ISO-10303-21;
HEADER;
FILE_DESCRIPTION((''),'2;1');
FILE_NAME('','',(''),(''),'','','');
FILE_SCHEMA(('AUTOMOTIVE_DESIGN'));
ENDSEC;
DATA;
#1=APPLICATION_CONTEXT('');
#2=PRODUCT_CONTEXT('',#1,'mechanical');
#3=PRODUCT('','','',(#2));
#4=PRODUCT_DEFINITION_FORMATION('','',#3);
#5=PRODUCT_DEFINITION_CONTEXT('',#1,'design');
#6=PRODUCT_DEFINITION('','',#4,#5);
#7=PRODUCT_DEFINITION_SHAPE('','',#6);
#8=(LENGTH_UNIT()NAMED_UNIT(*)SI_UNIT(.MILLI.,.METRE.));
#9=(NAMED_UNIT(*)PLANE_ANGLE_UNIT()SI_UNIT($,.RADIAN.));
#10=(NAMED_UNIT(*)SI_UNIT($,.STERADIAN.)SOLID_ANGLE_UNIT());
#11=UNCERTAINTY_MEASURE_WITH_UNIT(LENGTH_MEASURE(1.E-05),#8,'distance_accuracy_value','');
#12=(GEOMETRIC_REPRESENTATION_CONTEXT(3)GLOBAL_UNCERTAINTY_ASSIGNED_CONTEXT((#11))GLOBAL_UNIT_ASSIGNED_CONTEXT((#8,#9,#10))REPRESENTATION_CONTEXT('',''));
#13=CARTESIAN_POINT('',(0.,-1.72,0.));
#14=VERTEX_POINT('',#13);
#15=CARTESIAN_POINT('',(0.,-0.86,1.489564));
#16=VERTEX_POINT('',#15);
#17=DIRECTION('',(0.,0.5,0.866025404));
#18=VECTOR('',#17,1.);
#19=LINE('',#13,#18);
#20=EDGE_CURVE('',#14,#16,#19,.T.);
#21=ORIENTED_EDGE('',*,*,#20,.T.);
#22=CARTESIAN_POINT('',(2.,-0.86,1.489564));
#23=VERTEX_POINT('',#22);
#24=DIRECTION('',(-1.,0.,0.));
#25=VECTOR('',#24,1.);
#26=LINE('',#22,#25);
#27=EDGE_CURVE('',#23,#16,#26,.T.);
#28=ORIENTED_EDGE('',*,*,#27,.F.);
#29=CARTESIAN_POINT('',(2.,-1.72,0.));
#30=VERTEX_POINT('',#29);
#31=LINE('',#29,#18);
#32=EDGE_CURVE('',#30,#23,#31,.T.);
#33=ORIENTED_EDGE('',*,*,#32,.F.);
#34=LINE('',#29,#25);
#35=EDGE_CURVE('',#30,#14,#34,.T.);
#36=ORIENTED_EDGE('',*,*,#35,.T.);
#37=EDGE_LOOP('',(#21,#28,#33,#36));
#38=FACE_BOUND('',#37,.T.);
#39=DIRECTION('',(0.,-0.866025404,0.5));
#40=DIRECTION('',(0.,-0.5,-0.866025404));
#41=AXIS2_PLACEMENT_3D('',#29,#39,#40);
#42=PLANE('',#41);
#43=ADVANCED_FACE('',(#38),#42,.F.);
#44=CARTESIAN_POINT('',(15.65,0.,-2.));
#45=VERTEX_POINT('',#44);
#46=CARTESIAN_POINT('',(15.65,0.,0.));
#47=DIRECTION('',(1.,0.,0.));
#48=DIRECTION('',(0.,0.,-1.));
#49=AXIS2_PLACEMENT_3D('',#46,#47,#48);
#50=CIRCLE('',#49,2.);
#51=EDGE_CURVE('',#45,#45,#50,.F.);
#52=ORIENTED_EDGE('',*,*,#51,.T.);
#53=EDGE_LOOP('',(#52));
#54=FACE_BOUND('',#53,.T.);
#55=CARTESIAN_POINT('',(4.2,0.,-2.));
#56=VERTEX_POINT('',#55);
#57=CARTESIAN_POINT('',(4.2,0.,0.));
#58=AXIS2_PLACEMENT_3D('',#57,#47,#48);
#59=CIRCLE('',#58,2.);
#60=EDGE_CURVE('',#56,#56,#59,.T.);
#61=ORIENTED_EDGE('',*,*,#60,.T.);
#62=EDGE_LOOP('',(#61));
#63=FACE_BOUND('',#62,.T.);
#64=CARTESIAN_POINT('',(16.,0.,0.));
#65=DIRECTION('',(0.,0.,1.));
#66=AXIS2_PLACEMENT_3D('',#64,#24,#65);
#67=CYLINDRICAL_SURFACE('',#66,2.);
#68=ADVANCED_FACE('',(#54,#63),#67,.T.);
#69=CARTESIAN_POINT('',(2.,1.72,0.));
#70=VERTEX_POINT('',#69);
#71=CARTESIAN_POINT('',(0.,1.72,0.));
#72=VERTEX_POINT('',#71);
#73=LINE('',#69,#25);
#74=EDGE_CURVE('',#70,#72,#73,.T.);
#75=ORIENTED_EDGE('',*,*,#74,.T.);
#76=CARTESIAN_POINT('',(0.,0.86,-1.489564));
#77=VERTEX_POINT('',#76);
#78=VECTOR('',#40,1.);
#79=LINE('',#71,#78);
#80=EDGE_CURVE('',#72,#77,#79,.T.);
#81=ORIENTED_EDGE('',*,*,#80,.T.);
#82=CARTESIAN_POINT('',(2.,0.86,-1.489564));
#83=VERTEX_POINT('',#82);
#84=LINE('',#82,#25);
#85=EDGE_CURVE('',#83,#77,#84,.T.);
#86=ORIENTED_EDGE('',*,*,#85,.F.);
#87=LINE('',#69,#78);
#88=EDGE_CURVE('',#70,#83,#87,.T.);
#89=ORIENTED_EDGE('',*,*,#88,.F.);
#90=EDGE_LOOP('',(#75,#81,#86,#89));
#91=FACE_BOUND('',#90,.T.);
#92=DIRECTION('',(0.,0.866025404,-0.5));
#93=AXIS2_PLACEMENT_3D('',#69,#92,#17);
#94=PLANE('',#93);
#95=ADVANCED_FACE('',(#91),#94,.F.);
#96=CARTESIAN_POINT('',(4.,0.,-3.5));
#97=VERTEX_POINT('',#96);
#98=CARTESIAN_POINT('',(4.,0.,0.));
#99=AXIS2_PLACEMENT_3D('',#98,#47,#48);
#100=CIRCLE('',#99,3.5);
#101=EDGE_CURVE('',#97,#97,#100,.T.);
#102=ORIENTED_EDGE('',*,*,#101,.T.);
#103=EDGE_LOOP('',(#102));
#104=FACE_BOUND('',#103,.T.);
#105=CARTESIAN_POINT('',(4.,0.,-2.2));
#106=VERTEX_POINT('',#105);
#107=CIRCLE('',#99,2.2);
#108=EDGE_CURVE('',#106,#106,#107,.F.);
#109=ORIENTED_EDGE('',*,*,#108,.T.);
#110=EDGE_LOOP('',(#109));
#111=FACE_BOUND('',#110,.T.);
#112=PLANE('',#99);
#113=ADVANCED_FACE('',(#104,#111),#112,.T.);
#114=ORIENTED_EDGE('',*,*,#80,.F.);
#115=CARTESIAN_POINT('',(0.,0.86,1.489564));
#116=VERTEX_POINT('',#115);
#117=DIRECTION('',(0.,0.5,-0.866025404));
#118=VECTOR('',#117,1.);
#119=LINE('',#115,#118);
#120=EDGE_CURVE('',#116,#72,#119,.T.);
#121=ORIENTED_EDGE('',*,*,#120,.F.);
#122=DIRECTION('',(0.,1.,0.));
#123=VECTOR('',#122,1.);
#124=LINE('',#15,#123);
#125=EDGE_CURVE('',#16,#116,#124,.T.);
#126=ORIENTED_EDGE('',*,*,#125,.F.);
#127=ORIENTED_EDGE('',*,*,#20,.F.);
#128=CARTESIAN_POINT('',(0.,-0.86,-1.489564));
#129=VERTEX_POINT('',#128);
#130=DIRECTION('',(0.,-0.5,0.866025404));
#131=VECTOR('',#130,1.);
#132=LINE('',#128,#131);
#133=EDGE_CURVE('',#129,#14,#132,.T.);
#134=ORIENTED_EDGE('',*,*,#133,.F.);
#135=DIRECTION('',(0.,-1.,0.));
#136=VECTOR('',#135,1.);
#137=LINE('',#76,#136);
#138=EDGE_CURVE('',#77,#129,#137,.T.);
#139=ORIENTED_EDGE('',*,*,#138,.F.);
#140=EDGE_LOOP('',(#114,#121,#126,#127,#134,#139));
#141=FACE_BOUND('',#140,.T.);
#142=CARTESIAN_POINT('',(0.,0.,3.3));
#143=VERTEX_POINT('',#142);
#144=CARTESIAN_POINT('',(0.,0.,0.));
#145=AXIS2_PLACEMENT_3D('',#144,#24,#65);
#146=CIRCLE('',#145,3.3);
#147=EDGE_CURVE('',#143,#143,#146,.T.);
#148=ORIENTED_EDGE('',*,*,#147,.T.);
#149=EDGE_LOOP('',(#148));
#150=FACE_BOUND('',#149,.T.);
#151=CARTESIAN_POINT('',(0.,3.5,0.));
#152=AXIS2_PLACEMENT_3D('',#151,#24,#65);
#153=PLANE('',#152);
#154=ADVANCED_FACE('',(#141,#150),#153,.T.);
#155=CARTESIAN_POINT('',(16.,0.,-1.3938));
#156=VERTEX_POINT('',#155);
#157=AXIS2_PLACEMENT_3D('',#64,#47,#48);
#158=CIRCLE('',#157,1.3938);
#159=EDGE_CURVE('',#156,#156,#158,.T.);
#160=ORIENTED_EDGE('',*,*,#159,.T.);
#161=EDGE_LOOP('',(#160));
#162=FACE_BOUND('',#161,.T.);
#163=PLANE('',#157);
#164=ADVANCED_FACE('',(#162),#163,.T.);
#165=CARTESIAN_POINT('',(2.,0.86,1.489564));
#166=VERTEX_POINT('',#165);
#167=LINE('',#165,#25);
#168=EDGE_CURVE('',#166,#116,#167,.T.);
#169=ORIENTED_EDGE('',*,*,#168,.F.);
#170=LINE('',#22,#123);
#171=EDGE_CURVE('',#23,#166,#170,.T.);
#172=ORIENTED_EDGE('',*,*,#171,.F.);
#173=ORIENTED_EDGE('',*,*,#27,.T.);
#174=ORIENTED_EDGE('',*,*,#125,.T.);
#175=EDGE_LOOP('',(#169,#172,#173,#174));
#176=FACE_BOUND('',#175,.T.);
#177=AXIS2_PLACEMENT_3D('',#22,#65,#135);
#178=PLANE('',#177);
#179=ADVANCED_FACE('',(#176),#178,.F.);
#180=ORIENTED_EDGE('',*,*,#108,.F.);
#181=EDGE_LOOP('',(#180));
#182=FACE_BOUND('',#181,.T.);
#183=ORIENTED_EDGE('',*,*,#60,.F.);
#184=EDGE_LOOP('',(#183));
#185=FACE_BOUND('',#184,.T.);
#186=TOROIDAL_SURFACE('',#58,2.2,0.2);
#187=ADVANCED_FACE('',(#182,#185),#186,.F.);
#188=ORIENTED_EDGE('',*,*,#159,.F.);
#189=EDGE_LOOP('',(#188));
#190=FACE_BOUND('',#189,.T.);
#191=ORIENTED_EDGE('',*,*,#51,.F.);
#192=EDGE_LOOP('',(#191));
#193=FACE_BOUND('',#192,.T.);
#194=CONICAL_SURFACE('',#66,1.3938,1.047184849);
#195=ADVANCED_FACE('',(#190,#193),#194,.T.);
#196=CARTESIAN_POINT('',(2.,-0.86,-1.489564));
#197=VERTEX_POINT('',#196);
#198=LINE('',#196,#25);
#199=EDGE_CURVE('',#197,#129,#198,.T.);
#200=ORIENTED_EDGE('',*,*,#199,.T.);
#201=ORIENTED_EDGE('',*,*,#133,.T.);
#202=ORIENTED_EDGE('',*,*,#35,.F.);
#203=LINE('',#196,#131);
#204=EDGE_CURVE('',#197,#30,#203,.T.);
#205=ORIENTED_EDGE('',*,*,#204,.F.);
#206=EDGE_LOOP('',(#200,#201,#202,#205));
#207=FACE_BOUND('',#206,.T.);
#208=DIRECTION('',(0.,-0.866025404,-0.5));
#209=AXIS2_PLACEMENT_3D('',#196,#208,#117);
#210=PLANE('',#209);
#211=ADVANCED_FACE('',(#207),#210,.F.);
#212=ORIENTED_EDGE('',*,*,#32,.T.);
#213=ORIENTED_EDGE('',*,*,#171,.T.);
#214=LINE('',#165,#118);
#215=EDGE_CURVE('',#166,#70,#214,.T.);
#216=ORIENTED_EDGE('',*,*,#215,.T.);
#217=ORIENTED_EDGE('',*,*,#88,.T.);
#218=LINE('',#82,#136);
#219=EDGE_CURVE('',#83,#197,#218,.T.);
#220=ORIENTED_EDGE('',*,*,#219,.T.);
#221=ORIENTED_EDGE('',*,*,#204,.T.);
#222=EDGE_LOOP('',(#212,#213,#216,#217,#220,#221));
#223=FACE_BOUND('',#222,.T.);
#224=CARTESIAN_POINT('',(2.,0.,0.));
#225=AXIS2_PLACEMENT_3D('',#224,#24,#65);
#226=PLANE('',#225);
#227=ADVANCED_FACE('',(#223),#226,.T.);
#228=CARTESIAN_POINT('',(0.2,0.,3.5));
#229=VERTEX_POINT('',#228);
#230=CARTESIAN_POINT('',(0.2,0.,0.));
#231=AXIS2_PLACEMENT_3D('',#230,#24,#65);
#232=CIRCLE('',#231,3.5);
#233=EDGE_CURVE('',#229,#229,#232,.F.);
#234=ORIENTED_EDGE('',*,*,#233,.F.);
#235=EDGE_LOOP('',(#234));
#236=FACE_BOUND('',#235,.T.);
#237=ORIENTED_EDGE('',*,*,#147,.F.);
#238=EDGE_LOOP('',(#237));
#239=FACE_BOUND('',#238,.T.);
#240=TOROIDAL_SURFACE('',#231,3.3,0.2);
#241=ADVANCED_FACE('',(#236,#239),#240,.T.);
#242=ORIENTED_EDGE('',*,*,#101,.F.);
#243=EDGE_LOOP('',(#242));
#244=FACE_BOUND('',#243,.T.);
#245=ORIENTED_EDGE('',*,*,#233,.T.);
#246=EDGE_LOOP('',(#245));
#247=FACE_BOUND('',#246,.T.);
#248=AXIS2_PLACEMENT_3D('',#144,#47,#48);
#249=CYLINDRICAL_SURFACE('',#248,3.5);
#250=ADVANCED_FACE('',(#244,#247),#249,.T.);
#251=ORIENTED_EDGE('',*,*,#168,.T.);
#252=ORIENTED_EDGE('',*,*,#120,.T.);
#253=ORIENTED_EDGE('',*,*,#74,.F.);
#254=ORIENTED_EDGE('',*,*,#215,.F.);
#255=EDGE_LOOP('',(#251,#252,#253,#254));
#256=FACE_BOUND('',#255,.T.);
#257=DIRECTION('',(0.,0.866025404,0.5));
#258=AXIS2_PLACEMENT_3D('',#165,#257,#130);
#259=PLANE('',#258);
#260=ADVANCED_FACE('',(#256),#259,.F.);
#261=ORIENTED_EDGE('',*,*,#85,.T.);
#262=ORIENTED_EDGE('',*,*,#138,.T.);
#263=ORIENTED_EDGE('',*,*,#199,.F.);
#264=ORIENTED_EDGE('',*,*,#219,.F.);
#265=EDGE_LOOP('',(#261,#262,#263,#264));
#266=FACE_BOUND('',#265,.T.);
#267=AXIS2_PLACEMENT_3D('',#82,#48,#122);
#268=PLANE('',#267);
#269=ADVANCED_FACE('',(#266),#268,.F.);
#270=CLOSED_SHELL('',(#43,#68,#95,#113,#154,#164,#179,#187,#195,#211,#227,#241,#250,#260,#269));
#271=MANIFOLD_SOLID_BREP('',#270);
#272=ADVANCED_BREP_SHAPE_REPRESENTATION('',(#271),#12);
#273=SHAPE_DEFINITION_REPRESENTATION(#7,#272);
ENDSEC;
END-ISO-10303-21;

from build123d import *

# Parameters (mm, degrees)
SKETCH_1_W          = 4
SKETCH_1_H          = 3.5
SKETCH_2_R          = 2
EXTRUDE_1_DEPTH     = 12
CUT_EXTRUDE_1_DEPTH = 2
CHAMFER_1_SIZE      = 0.6062
CHAMFER_1_SIZE2     = 0.35
FILLET_1_R          = 0.2


with BuildPart() as part:
    # 草图1 → 旋转1 (revolve)
    with BuildSketch(Plane.XY):
        with Locations((2, 1.75)):
            Rectangle(SKETCH_1_W, SKETCH_1_H)
    revolve(axis=Axis((0, 0, 0), (1, 0, 0)))

    # 草图2 → 凸台-拉伸1 (add)
    with BuildSketch(Plane(origin=(4, 0, 0), x_dir=(0, 0, -1), z_dir=(1, 0, 0))):
        Circle(SKETCH_2_R)
    extrude(amount=EXTRUDE_1_DEPTH)

    # 草图3 → 切除-拉伸1 (cut)
    with BuildSketch(Plane.ZY):
        Polygon((0, 1.72), (-1.489563695, 0.86), (-1.489563695, -0.86), (0, -1.72), (1.489563695, -0.86), (1.489563695, 0.86), align=None)
    extrude(amount=-CUT_EXTRUDE_1_DEPTH, mode=Mode.SUBTRACT)

    # 倒角1
    chamfer_1_edges = [part.edges().sort_by_distance(p)[0] for p in [
        (16, 0, 2),
    ]]
    chamfer_1_side = [part.faces().sort_by_distance(p)[0] for p in [
        (16, 0, 0),
    ]]
    chamfer(chamfer_1_edges, length=CHAMFER_1_SIZE, length2=CHAMFER_1_SIZE2, reference=chamfer_1_side[0])

    # 圆角1
    fillet_1_edges = [part.edges().sort_by_distance(p)[0] for p in [
        (0, -3.5, 0),
        (4, 0, 2),
    ]]
    fillet(fillet_1_edges, radius=FILLET_1_R)


solid = part.part
